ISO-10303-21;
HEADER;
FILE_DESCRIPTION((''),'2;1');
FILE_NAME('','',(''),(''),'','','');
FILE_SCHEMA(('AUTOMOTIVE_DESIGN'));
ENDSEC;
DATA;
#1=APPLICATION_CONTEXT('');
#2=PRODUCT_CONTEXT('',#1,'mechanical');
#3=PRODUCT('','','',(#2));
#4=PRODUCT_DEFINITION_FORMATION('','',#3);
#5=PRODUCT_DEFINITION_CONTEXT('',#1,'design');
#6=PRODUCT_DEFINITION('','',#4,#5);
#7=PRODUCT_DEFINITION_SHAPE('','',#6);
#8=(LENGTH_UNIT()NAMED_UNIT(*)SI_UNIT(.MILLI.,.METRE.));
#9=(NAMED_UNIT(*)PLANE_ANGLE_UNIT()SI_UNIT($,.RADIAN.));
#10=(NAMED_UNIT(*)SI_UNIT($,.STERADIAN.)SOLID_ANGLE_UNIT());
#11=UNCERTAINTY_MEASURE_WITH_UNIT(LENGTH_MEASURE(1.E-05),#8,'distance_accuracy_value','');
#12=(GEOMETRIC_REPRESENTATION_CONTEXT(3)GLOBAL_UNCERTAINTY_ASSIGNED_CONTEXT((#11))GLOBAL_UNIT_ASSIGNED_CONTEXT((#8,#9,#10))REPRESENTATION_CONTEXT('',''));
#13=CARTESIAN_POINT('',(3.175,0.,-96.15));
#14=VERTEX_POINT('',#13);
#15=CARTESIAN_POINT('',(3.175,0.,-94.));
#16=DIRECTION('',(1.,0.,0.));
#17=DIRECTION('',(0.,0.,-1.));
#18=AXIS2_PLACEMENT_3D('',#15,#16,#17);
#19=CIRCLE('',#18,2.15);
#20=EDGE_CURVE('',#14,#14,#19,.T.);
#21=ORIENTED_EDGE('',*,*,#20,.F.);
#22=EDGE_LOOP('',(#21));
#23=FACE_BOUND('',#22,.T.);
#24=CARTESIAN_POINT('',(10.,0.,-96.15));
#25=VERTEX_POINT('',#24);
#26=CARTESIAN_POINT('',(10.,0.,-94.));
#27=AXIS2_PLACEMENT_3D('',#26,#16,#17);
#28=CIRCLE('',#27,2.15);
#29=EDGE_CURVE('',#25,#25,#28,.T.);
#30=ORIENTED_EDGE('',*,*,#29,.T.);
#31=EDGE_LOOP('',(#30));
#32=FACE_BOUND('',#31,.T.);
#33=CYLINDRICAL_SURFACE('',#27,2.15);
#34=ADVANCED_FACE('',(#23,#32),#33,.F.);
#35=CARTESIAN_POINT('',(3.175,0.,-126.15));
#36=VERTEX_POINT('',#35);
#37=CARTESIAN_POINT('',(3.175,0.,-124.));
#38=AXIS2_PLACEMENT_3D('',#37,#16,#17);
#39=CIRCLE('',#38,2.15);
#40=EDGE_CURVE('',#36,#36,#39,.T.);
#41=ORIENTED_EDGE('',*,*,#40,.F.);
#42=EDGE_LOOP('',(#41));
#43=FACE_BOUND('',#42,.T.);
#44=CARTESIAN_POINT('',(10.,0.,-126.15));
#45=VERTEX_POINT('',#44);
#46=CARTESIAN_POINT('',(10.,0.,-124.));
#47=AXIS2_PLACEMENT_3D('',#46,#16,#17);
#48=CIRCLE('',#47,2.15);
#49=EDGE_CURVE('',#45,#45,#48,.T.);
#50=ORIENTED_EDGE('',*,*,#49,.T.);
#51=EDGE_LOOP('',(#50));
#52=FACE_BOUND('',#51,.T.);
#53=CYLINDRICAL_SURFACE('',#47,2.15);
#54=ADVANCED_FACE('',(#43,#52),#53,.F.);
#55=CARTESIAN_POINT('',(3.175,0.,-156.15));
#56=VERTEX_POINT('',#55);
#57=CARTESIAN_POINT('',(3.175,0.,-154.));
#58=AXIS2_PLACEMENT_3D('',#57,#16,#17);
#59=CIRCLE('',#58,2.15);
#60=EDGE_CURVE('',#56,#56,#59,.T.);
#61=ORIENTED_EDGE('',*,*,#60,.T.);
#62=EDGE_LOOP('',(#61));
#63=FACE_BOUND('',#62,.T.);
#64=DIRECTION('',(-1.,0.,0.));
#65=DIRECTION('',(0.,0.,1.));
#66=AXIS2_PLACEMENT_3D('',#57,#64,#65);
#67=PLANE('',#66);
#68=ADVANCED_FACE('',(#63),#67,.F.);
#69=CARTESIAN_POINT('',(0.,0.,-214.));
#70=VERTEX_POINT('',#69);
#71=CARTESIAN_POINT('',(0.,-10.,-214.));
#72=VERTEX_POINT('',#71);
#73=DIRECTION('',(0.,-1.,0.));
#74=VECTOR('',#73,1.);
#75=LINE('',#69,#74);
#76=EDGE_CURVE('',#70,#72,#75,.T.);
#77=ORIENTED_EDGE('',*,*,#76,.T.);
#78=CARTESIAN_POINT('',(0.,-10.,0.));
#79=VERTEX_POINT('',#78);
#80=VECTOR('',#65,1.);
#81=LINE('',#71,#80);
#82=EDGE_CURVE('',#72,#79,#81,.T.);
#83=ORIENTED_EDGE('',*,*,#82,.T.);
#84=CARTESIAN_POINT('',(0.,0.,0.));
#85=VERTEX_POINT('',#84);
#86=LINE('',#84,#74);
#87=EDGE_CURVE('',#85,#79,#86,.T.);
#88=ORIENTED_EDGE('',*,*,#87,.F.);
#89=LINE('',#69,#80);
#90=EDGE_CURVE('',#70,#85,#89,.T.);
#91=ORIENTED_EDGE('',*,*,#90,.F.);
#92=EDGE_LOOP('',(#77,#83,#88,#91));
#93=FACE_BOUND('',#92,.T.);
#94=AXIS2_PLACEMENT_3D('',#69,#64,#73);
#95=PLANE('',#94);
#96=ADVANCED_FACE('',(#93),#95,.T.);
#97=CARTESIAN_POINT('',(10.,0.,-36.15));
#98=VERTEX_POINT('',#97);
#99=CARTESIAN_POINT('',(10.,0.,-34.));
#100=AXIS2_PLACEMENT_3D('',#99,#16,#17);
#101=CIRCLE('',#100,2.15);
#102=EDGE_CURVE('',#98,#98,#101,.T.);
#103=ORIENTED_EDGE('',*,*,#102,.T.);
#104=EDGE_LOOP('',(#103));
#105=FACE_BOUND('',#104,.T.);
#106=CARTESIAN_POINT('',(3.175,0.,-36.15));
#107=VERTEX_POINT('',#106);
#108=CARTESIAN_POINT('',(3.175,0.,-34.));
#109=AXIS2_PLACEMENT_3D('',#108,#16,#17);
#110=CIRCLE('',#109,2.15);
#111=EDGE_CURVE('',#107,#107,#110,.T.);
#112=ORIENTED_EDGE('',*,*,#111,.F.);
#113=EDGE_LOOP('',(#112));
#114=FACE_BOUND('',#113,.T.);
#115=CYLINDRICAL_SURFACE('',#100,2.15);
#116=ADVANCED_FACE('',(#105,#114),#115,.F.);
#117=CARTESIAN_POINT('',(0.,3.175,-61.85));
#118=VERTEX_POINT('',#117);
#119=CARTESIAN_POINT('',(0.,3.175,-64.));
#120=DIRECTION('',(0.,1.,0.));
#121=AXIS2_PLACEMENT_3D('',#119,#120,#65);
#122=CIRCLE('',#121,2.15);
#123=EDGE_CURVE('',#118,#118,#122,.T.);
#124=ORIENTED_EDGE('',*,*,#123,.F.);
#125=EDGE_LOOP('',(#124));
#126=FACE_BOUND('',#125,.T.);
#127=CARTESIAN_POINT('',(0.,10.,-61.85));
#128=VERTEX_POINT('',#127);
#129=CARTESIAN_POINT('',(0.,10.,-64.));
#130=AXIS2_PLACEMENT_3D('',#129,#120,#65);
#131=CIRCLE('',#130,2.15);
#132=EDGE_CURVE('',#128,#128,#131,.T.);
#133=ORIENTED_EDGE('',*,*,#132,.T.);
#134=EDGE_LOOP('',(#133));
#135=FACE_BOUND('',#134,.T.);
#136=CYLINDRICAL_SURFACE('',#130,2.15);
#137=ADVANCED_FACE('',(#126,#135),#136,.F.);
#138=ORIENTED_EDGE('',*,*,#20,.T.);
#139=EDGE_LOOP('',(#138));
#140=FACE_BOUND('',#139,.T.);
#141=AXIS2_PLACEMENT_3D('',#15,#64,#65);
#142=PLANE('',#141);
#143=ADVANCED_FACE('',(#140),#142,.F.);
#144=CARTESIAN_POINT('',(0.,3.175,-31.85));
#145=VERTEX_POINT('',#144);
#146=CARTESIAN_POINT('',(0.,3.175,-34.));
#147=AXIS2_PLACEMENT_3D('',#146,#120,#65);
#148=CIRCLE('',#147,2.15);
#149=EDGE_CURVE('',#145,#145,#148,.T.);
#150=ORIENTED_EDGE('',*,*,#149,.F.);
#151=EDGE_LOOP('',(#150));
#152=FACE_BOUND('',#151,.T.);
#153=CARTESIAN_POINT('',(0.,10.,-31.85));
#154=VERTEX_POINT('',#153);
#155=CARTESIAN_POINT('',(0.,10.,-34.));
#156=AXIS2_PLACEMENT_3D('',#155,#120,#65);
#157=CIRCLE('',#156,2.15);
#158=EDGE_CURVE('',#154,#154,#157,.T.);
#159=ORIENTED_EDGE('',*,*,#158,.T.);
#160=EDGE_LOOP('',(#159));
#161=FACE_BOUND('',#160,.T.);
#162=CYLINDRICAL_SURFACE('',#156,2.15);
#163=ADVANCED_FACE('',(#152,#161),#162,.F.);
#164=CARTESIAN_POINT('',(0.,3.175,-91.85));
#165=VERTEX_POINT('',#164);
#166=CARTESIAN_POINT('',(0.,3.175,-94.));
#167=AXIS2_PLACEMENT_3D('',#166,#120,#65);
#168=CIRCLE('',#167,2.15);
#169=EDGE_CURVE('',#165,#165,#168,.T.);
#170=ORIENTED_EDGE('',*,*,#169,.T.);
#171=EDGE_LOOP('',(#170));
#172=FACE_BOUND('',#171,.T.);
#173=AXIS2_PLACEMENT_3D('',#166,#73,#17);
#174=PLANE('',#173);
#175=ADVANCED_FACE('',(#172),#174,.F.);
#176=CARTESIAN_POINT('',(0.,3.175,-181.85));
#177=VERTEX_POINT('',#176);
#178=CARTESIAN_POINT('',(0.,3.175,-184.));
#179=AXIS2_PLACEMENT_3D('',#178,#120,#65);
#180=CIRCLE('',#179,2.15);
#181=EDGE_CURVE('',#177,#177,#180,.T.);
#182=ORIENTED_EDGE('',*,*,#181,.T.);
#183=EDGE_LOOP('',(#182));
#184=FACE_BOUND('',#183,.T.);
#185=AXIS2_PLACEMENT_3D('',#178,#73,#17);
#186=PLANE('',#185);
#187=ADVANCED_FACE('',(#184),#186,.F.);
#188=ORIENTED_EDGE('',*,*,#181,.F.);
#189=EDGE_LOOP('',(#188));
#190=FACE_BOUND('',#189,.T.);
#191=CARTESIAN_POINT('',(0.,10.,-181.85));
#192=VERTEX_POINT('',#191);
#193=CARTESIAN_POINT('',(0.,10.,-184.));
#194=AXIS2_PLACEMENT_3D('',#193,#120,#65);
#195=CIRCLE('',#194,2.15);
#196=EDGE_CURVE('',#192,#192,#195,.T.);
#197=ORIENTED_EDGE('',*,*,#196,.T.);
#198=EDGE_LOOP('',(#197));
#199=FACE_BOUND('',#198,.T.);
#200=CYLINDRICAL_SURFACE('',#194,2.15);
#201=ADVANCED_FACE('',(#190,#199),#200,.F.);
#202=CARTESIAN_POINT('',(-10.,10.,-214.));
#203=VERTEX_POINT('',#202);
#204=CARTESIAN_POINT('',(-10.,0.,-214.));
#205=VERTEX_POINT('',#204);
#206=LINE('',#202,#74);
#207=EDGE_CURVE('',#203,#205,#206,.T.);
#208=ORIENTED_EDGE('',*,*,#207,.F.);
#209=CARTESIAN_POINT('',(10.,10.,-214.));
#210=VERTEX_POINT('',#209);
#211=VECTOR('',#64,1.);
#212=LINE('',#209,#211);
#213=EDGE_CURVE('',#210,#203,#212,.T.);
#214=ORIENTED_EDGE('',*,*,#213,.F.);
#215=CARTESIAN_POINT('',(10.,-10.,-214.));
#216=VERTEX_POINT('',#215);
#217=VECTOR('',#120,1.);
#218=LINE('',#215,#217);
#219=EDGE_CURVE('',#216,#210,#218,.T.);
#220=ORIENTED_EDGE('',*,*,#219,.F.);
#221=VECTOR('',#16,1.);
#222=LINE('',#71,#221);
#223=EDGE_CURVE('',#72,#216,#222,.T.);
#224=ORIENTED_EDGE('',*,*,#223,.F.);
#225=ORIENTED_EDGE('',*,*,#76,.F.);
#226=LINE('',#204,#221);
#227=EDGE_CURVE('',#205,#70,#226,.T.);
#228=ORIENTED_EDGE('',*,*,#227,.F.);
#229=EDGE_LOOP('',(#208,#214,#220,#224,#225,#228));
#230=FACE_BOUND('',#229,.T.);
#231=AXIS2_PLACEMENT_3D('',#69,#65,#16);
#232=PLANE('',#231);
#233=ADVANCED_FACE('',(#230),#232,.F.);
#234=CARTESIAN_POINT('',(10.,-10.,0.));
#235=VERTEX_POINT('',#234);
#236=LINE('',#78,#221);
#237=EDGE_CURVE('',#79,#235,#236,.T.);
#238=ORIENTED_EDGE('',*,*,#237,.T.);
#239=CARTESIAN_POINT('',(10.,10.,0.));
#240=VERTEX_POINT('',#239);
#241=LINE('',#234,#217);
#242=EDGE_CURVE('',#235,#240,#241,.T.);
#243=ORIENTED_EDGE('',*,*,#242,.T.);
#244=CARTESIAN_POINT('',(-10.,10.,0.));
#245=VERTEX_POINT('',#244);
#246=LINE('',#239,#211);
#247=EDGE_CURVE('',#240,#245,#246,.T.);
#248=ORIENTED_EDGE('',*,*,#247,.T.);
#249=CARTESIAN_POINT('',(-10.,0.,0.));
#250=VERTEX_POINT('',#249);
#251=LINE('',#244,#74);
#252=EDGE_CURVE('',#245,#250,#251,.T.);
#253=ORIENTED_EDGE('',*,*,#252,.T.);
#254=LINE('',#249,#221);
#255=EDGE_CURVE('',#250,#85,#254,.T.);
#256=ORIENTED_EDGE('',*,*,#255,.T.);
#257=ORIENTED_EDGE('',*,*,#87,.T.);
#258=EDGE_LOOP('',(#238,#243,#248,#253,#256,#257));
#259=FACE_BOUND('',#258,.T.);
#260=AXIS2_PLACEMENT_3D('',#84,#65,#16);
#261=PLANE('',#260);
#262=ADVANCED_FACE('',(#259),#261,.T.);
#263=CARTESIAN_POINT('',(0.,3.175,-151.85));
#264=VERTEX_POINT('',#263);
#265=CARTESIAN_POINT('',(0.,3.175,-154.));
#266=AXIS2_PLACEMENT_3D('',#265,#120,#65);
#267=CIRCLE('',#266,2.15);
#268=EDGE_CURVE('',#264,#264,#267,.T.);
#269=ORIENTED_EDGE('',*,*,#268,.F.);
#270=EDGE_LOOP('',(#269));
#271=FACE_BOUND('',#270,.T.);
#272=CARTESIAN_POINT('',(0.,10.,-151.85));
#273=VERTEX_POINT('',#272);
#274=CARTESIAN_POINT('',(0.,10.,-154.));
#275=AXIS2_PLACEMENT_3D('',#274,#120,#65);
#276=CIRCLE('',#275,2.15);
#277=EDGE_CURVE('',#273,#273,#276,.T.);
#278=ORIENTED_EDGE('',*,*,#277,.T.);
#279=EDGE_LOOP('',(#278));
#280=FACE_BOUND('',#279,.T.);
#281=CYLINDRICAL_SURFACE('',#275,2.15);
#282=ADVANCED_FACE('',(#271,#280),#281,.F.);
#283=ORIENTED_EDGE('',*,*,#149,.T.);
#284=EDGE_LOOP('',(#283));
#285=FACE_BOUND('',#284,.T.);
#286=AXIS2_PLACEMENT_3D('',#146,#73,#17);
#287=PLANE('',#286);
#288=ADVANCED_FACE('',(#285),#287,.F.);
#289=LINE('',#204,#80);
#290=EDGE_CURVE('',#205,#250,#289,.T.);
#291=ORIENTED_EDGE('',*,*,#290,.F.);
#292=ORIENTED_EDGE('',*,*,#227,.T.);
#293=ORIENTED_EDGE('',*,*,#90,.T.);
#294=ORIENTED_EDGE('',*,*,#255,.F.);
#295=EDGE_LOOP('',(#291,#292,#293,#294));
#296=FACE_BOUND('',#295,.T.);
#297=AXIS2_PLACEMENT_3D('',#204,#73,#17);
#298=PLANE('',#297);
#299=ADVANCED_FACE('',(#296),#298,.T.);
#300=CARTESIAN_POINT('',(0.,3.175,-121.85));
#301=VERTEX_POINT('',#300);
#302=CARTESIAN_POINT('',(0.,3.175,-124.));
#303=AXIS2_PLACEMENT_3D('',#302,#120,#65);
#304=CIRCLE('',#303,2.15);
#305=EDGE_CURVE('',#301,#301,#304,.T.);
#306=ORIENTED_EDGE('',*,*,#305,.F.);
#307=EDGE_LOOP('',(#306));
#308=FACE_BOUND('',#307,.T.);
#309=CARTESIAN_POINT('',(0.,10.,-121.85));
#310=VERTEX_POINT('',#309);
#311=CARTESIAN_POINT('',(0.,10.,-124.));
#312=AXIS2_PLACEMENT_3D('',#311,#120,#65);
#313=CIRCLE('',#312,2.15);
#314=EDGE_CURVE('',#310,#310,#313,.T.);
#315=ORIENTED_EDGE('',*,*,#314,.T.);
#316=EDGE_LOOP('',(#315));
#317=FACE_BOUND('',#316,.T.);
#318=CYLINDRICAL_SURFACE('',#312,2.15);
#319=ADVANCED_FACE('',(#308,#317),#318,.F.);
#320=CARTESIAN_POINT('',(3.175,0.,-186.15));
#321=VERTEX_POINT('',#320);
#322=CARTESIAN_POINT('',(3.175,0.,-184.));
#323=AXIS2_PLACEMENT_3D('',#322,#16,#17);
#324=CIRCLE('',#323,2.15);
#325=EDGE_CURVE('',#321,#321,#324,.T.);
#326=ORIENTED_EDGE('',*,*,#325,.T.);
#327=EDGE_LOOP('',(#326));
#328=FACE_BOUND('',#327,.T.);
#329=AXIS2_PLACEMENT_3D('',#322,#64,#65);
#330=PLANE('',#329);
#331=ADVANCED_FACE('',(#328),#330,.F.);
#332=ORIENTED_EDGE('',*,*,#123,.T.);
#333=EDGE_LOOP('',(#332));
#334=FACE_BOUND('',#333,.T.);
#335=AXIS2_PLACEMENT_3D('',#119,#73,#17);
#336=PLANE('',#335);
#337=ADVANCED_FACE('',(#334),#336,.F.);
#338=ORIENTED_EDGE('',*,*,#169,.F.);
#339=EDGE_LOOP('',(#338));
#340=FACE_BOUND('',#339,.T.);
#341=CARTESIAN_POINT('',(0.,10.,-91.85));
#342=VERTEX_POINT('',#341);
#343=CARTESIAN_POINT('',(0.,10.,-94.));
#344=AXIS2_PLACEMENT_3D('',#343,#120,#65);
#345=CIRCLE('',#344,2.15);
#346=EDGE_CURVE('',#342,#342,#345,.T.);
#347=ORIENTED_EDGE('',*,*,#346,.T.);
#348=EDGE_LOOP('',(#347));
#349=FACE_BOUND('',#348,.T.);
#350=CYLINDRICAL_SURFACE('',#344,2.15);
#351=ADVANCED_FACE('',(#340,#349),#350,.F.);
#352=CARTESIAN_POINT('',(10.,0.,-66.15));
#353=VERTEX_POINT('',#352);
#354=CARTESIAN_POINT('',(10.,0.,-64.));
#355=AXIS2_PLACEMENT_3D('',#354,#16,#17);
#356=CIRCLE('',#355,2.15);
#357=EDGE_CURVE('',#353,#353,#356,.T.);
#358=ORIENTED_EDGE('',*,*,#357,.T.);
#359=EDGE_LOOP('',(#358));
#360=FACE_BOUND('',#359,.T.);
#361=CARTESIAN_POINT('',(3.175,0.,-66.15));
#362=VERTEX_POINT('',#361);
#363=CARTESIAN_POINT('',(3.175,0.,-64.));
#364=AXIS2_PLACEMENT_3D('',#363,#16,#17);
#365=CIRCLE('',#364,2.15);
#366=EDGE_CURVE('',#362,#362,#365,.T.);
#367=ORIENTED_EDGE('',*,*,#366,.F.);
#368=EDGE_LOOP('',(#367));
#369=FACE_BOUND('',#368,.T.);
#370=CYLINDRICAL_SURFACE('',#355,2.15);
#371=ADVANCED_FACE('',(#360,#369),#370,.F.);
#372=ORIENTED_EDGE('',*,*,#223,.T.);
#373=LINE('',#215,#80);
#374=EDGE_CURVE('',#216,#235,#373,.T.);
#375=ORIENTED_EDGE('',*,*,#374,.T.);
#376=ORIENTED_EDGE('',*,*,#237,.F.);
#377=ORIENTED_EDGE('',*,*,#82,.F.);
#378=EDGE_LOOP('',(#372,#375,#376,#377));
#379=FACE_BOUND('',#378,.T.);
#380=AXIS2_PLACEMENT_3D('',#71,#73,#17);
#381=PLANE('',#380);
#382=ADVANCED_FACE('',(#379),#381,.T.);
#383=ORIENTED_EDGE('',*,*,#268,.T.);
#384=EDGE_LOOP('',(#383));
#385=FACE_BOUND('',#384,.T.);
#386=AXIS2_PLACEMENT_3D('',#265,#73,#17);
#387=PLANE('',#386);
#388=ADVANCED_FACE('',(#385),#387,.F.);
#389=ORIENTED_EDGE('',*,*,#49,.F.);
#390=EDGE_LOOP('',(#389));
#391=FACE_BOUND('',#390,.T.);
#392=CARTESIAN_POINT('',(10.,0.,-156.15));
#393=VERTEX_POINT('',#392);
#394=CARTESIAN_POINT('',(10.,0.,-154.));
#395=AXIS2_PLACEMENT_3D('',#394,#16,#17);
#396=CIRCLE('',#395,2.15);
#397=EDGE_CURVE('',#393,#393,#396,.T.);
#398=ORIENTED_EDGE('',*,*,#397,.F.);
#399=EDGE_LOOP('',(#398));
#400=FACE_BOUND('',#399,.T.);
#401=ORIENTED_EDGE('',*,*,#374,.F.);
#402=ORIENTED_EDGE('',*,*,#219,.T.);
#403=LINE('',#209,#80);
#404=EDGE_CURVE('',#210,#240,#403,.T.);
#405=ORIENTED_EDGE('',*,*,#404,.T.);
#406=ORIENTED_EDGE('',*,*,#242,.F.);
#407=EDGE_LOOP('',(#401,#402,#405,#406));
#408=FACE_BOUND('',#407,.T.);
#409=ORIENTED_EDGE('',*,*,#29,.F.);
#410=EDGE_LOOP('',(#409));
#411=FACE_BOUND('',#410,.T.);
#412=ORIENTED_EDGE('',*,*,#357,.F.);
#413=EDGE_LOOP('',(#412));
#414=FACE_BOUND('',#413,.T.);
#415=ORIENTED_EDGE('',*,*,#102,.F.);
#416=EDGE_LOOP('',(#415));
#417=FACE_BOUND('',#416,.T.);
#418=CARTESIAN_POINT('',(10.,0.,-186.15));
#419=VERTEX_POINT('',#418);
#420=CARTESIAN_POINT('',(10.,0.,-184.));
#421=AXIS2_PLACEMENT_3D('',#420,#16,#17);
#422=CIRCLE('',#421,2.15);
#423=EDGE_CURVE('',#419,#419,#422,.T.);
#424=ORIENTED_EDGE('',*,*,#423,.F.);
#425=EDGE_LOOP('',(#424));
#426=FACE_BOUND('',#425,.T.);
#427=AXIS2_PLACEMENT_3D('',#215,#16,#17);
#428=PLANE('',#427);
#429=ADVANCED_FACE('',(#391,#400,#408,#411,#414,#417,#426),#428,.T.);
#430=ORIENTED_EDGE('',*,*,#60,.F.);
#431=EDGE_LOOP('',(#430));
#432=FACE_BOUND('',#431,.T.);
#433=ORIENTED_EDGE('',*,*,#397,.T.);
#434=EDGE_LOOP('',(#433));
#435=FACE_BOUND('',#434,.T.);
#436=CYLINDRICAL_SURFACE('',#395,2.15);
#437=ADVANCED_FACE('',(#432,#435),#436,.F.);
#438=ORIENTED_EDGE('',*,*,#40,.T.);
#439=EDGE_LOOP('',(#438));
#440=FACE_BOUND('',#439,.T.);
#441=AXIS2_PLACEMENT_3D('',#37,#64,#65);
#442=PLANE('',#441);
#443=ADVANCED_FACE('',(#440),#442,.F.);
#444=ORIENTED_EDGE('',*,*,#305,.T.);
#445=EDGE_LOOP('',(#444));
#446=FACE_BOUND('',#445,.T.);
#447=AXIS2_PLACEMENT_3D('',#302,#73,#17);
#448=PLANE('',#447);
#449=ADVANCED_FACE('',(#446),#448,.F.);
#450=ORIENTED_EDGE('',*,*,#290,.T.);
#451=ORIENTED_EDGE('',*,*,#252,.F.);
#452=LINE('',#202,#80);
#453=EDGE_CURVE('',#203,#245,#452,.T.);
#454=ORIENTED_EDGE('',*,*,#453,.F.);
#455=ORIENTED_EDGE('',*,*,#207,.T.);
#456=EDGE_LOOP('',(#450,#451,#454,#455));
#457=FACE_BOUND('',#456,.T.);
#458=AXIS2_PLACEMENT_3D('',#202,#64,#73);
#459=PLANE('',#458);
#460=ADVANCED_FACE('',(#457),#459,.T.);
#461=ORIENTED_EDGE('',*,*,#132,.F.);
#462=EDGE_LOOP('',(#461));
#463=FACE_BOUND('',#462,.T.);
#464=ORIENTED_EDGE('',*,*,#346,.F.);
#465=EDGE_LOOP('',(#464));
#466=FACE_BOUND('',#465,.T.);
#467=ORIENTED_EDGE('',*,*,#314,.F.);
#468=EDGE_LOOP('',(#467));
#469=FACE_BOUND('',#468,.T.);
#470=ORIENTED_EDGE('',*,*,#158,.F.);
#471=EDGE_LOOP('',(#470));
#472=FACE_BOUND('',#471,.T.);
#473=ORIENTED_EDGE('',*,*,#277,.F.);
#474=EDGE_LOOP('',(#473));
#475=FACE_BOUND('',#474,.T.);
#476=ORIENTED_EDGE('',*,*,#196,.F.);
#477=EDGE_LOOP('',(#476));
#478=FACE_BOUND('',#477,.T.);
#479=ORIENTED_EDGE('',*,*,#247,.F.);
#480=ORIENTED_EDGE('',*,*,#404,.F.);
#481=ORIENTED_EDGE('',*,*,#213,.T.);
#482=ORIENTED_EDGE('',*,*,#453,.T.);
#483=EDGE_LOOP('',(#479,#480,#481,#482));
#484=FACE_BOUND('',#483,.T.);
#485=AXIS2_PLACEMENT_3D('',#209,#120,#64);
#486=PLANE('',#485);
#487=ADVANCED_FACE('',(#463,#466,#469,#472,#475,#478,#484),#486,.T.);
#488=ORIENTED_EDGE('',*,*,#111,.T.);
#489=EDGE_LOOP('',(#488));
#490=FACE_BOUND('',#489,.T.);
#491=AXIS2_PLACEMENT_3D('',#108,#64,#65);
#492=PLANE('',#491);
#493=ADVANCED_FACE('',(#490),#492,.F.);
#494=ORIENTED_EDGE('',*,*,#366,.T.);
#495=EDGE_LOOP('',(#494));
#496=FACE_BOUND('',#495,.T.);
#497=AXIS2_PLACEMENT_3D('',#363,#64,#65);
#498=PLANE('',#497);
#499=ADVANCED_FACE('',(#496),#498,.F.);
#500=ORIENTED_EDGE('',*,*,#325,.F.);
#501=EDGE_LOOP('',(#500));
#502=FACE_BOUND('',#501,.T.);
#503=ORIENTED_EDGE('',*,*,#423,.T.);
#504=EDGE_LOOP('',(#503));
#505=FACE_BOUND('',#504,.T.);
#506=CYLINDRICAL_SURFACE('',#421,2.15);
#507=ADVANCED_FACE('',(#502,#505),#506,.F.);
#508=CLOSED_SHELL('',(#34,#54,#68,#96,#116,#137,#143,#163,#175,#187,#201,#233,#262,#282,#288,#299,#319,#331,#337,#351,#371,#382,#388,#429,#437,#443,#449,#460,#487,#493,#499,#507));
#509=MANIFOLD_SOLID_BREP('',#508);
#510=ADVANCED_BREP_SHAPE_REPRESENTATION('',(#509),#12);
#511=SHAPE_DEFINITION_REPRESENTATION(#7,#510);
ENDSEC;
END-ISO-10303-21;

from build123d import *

# Parameters (mm, degrees)
BOSS_EXTRUDE1_DEPTH             = 214
TAP_DRILL_FOR_M3X0_5_TAP1_D     = 4.3
TAP_DRILL_FOR_M3X0_5_TAP1_DEPTH = 6.825
TAP_DRILL_FOR_M3X0_5_TAP2_D     = 4.3
TAP_DRILL_FOR_M3X0_5_TAP2_DEPTH = 6.825


with BuildPart() as part:
    # Sketch1 → Boss-Extrude1 (new body)
    with BuildSketch(Plane.XY):
        Polygon((0, -10), (10, -10), (10, 10), (-10, 10), (-10, 0), (0, 0), align=None)
    extrude(amount=-BOSS_EXTRUDE1_DEPTH)

    # Tap Drill for M3x0.5 Tap1
    with Locations(Plane(origin=(10, 0, 0), x_dir=(0, 0, -1), z_dir=(1, 0, 0))):
        with Locations((34, 0), (64, 0), (94, 0), (124, 0), (154, 0), (184, 0)):
            Hole(TAP_DRILL_FOR_M3X0_5_TAP1_D / 2, depth=TAP_DRILL_FOR_M3X0_5_TAP1_DEPTH)

    # Tap Drill for M3x0.5 Tap2
    with Locations(Plane(origin=(0, 10, 0), x_dir=(1, 0, 0), z_dir=(0, 1, 0))):
        with Locations((0, 34), (0, 64), (0, 94), (0, 124), (0, 154), (0, 184)):
            Hole(TAP_DRILL_FOR_M3X0_5_TAP2_D / 2, depth=TAP_DRILL_FOR_M3X0_5_TAP2_DEPTH)


solid = part.part
